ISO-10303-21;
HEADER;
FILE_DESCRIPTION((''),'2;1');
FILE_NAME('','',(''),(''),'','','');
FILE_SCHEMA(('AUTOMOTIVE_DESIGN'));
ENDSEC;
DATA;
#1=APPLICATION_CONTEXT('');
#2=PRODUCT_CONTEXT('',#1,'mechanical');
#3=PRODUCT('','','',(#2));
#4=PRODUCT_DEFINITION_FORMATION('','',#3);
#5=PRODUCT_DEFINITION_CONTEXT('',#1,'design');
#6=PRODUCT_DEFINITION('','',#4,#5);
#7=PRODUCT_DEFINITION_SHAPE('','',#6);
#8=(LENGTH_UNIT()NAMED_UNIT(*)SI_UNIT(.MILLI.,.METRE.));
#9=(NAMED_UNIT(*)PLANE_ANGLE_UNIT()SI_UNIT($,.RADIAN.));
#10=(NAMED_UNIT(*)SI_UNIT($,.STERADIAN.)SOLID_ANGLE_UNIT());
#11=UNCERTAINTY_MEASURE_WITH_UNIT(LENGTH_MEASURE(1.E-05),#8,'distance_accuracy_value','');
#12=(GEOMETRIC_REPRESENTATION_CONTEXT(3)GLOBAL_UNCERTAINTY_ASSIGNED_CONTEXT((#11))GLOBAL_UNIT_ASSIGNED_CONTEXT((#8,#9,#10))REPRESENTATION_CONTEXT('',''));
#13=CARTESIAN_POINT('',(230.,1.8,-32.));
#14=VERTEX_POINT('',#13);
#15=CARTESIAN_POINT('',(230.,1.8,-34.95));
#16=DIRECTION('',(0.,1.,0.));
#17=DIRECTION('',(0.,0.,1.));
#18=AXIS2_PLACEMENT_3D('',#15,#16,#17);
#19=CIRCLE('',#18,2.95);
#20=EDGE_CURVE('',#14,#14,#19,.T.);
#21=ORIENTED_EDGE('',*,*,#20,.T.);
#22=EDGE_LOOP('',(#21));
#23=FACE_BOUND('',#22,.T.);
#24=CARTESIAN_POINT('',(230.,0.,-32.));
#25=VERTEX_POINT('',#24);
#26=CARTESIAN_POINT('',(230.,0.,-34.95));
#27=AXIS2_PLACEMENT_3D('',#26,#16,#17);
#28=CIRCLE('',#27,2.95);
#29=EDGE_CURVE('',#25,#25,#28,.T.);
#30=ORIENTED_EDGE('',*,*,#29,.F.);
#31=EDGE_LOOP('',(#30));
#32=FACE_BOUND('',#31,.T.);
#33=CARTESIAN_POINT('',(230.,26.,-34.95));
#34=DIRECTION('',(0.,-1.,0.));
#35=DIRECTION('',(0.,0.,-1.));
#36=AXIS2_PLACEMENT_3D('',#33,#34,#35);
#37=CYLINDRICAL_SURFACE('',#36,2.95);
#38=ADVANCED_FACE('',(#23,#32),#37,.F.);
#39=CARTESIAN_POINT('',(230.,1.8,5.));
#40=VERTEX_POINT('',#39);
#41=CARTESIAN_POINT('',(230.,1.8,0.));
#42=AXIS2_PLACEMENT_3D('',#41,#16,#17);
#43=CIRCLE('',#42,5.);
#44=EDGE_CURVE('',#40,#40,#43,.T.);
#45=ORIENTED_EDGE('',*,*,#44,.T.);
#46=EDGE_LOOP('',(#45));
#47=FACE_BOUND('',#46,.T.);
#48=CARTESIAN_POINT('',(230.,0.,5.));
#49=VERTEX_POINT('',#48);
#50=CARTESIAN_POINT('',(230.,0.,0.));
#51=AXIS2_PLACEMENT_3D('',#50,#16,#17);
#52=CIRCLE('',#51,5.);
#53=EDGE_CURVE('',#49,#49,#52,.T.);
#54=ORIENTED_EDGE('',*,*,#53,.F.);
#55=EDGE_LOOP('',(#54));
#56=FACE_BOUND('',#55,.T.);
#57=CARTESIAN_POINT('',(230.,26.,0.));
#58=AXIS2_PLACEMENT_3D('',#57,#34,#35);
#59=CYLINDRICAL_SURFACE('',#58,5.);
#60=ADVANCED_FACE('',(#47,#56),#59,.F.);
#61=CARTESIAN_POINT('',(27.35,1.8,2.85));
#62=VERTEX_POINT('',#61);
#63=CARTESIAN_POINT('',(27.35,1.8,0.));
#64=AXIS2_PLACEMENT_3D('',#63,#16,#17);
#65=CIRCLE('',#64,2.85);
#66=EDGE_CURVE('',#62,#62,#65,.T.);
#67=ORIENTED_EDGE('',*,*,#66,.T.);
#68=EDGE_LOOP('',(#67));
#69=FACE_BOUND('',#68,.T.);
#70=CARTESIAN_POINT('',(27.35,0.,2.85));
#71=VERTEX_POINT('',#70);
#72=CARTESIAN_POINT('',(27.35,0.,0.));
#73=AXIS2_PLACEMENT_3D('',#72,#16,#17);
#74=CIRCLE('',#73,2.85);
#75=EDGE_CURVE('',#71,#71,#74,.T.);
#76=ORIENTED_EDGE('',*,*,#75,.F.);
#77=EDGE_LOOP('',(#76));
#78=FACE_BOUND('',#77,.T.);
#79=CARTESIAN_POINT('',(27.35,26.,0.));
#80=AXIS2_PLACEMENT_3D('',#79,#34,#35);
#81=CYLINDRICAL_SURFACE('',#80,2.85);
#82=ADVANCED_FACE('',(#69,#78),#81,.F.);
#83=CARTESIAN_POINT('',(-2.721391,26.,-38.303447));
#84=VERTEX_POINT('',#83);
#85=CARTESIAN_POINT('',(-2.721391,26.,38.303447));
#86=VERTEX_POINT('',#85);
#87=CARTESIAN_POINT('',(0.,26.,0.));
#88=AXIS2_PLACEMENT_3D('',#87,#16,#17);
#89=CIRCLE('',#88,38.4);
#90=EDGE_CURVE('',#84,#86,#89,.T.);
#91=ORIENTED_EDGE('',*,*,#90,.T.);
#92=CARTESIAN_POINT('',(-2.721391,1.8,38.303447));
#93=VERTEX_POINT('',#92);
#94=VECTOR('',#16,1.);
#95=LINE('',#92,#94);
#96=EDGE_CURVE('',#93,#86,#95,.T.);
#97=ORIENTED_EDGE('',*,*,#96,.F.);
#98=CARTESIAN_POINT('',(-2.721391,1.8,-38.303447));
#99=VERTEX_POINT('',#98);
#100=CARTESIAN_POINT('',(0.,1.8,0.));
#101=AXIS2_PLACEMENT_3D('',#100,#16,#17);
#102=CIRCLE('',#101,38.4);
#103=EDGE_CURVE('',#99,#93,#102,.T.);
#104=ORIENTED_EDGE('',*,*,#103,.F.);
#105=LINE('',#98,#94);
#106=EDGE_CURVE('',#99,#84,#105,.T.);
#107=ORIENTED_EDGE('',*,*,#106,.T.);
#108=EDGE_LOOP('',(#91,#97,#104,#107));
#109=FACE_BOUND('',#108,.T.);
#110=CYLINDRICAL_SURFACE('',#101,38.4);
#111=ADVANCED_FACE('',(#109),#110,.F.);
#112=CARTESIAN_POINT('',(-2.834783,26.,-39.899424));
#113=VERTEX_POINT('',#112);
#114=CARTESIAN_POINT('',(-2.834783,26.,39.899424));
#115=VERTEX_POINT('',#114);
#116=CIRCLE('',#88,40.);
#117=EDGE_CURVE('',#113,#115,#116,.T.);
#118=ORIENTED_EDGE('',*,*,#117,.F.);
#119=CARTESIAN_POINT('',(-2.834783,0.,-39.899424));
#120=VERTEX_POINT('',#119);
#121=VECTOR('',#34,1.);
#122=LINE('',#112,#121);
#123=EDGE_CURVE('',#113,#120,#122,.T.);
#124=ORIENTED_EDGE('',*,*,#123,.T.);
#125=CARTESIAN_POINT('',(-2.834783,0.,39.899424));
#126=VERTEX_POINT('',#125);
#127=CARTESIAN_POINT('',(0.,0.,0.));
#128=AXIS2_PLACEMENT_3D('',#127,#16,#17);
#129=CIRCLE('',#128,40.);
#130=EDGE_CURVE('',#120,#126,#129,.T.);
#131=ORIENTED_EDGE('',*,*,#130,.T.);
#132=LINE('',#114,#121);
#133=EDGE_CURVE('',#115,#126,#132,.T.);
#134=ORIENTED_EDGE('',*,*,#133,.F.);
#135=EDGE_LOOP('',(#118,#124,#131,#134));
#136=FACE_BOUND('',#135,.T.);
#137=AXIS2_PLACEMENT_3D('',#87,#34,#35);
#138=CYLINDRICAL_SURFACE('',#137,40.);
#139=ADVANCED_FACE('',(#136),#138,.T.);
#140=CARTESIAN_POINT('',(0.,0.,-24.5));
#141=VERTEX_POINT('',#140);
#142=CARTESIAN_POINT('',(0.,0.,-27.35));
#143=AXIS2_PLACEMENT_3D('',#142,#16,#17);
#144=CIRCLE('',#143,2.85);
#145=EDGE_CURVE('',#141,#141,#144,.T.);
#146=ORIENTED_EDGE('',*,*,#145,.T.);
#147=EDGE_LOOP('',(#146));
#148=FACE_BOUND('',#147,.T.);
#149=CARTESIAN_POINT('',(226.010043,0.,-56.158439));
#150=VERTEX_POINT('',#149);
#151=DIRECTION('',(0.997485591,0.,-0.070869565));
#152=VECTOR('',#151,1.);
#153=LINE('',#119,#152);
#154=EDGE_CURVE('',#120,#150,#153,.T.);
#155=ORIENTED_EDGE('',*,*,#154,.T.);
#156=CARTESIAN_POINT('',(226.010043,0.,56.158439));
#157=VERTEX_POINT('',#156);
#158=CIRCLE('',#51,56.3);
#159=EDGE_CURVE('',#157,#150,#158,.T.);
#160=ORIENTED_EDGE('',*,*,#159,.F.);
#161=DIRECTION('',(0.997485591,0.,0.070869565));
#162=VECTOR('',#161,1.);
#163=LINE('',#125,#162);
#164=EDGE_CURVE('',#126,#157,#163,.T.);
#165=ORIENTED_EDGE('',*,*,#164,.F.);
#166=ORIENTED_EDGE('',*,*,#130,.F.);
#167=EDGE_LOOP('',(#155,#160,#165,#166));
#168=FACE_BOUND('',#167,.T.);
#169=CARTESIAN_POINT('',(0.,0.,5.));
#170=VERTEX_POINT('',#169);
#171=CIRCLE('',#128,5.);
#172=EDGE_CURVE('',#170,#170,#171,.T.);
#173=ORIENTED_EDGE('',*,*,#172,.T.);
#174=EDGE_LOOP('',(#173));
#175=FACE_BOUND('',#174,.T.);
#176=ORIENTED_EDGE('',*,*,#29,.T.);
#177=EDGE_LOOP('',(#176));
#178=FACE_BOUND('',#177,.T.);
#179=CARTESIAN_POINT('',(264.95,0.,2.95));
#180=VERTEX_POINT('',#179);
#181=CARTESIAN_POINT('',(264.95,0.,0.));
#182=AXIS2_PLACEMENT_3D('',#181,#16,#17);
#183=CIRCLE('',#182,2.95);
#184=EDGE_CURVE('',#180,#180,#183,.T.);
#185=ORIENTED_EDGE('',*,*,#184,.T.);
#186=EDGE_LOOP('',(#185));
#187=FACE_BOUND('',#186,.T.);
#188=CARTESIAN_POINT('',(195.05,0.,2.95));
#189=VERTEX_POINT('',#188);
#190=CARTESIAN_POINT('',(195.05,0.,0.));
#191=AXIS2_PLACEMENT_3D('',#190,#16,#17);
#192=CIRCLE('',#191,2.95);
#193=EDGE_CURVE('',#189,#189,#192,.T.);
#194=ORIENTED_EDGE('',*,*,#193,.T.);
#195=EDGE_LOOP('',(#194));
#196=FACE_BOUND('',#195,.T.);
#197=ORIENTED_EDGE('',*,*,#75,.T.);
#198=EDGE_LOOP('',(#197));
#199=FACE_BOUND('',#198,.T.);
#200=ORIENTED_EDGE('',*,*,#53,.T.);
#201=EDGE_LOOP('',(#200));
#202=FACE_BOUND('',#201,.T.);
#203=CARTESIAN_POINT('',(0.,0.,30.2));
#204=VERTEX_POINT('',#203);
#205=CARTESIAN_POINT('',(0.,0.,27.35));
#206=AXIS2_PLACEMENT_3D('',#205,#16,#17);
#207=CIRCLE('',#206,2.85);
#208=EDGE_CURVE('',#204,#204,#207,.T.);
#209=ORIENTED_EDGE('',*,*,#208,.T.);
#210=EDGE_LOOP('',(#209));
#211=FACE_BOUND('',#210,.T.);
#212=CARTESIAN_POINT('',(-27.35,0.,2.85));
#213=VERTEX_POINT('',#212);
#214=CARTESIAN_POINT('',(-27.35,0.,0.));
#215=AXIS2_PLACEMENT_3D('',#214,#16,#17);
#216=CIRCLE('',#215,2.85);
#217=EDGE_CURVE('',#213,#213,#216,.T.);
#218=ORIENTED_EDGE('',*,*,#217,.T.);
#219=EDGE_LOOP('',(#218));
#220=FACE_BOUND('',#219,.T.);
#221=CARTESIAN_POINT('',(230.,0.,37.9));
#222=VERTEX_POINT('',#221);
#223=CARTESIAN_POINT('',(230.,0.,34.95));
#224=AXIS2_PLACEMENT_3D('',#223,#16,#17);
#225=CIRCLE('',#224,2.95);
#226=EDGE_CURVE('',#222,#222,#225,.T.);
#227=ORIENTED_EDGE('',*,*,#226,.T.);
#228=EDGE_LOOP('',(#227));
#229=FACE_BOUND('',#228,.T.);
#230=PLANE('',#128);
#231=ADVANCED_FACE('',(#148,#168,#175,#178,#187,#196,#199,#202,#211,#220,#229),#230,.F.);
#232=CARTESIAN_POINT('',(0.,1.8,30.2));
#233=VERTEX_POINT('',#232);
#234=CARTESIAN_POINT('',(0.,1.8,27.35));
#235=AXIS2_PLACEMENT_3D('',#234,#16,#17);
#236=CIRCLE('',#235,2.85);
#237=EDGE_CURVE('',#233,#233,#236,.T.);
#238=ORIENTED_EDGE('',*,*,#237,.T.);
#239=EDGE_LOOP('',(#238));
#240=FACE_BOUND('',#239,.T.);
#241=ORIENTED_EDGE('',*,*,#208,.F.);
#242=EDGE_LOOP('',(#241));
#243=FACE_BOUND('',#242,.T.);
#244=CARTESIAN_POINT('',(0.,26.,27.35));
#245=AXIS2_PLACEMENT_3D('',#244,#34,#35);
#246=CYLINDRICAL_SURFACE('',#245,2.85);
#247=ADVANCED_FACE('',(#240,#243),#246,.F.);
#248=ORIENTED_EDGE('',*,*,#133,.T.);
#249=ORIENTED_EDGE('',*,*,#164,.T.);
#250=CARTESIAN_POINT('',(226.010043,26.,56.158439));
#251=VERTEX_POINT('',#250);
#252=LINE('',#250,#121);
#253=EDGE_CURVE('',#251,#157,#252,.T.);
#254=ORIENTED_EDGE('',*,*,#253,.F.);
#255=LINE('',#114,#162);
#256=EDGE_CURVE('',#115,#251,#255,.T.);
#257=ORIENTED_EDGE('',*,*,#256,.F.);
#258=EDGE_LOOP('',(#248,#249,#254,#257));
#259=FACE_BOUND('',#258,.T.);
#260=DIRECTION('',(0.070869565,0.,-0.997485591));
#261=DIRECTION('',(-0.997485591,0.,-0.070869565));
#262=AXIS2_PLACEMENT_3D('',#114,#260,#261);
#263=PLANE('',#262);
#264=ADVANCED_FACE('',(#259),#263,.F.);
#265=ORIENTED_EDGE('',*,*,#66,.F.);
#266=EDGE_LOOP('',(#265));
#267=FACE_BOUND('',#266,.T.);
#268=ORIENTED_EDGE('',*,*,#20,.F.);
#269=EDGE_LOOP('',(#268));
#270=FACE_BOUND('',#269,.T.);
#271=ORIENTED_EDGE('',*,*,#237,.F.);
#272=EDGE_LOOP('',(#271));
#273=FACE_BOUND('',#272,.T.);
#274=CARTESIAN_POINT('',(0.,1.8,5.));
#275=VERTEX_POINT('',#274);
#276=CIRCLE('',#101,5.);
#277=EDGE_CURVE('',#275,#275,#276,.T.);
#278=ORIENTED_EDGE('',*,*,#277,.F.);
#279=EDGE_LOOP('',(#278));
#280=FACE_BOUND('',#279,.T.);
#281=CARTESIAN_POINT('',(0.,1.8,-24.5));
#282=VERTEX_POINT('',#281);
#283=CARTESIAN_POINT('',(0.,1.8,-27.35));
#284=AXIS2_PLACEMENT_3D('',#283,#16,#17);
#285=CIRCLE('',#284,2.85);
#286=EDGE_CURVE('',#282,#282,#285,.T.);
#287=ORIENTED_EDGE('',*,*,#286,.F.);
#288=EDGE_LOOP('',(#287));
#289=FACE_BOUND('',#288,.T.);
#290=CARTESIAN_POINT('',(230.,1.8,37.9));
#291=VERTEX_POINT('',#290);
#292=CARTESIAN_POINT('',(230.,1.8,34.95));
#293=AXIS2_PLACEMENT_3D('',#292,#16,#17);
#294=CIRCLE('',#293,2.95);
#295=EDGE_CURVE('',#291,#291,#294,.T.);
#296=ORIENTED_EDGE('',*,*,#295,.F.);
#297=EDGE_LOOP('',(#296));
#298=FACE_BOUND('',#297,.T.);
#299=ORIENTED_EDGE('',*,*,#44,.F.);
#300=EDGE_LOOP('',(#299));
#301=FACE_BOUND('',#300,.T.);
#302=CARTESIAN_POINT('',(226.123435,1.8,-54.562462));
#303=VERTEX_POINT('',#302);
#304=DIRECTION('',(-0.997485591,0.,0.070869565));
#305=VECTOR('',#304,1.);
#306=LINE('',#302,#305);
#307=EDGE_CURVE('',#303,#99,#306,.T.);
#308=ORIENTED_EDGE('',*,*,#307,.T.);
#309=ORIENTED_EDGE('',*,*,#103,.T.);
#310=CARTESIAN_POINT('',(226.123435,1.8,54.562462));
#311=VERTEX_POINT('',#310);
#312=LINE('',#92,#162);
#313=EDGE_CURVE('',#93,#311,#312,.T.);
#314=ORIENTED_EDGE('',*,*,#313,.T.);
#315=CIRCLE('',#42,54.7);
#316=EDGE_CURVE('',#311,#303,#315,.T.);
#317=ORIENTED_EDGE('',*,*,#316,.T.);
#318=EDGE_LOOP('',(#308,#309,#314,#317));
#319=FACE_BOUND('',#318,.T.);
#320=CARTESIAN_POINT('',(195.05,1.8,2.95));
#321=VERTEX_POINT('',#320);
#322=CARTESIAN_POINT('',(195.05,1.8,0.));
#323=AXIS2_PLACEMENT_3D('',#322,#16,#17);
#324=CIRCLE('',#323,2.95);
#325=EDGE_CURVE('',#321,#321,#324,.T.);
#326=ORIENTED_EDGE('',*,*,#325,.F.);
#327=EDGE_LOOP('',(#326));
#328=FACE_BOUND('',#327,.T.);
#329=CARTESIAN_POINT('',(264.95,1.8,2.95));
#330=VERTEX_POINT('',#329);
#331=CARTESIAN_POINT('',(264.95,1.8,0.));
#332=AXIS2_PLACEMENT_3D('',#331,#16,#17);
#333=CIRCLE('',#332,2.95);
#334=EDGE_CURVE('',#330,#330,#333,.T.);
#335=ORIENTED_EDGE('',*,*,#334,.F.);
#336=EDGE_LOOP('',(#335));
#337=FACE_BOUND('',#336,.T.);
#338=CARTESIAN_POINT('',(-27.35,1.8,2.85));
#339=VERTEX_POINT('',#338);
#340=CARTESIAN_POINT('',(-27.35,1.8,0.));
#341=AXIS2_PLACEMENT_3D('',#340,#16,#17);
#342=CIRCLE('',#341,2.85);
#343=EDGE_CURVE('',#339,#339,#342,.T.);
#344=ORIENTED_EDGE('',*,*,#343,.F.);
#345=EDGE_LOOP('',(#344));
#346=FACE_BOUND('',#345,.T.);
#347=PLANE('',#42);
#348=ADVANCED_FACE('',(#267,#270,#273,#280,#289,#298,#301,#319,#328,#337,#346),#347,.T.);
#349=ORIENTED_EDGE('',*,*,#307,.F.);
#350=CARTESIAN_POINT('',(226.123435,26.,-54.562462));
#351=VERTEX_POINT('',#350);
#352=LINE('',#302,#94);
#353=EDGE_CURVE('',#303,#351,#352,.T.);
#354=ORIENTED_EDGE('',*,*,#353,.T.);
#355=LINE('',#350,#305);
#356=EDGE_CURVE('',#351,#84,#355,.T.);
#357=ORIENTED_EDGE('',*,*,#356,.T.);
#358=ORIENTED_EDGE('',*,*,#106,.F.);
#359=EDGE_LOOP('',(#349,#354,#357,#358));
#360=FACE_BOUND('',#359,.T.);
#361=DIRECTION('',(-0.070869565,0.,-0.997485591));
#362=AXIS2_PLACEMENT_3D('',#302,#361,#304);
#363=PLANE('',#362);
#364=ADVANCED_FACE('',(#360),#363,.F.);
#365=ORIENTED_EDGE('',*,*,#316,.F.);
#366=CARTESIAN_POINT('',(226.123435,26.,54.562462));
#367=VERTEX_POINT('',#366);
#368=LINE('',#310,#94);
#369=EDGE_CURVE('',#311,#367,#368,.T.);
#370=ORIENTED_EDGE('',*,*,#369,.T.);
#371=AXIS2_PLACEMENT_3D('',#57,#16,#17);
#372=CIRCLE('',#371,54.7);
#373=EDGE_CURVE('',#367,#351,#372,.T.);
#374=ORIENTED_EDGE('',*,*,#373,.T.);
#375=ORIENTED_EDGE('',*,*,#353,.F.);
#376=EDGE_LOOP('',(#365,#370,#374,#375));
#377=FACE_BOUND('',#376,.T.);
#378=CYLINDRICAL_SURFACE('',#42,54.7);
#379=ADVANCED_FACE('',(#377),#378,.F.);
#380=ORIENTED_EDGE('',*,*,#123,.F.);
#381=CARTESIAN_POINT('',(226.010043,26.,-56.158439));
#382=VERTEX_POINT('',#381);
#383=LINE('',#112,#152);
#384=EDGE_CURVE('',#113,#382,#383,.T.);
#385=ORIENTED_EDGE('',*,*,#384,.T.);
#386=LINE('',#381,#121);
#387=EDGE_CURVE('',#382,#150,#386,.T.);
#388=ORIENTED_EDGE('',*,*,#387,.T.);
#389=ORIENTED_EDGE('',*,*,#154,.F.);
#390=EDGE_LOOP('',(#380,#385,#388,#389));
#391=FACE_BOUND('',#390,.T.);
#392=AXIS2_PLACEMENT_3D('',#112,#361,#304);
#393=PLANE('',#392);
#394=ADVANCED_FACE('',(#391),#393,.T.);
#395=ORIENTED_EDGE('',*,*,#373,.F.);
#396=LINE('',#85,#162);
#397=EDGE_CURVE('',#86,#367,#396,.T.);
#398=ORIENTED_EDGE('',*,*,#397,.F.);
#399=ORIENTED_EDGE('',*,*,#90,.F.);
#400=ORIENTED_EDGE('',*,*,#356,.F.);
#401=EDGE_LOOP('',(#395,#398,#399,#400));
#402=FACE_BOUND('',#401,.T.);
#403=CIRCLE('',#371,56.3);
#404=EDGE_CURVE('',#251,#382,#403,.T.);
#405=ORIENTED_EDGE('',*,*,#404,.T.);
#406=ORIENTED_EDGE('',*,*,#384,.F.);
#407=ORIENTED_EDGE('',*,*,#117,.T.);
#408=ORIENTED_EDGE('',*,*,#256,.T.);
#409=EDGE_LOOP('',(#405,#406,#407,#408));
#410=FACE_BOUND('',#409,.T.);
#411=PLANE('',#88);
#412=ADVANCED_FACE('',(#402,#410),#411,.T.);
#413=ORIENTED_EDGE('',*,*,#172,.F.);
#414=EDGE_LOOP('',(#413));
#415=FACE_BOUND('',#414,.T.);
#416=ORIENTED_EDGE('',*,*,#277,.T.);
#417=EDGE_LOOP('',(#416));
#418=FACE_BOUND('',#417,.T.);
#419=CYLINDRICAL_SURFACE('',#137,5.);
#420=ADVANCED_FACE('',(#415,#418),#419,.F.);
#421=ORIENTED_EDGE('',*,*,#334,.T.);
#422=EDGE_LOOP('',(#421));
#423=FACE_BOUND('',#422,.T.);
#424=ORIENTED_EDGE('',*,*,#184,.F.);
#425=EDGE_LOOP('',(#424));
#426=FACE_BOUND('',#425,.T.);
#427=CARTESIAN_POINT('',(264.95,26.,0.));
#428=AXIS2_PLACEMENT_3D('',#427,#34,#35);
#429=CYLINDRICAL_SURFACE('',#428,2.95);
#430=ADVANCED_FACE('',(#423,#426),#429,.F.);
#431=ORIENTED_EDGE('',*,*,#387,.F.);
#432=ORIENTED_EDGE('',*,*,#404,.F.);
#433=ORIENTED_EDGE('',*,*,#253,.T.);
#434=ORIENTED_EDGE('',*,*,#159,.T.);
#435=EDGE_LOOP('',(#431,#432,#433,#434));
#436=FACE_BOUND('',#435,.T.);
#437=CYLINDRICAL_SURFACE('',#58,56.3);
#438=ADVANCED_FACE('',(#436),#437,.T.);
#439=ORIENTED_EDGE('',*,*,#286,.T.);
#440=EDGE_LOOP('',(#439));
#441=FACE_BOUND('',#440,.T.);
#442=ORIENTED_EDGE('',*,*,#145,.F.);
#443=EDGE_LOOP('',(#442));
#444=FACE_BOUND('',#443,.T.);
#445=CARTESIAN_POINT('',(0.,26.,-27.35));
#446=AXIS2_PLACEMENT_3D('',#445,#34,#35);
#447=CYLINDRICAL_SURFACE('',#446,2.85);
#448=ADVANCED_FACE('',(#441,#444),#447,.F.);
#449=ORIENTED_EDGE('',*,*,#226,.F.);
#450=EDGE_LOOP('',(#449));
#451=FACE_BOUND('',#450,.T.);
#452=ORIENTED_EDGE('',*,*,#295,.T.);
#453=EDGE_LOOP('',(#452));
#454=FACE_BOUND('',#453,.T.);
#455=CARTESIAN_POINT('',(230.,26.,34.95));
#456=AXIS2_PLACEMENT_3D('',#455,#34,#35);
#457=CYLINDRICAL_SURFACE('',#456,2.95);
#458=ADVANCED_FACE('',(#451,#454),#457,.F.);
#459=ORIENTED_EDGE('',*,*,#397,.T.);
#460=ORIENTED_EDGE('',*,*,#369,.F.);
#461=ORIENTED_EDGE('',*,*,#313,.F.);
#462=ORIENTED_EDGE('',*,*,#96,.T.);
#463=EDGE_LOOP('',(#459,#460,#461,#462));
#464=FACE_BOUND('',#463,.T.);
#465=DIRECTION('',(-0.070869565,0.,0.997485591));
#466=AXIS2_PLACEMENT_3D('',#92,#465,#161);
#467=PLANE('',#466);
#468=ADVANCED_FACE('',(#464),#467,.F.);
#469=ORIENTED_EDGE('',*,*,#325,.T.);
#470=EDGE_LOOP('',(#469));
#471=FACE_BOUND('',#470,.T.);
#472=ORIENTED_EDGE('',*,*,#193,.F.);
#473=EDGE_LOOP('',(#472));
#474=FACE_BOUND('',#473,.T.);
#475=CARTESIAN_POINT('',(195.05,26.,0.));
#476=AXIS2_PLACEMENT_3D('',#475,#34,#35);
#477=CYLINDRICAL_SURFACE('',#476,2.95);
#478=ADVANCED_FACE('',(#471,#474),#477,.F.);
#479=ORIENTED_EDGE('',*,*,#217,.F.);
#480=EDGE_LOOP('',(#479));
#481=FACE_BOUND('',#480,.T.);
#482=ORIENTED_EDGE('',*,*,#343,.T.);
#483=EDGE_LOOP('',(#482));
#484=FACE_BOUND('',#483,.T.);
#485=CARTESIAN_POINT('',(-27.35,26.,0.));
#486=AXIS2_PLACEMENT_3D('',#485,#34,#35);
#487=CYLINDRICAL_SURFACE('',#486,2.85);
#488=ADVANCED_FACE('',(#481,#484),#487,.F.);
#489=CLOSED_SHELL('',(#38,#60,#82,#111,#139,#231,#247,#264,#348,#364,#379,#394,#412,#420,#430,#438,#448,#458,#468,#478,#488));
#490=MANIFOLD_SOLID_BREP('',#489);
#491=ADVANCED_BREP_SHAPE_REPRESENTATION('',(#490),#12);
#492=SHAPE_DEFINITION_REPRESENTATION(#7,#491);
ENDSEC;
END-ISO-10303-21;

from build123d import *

# Parameters (mm, degrees)
SKETCH1_R           = 40
SKETCH1_R_2         = 2.85
SKETCH1_R_3         = 5
SKETCH1_R_4         = 56.3
SKETCH1_R_5         = 2.95
BOSS_EXTRUDE1_DEPTH = 26
CUT_EXTRUDE1_DEPTH  = 24.2


with BuildPart() as part:
    # Sketch1 → Boss-Extrude1 (new body)
    with BuildSketch(Plane(origin=(0, 0, 0), x_dir=(1, 0, 0), z_dir=(0, 1, 0))):
        with BuildLine():
            Line((226.010043478, 56.158438787), (-2.834782609, 39.899423649))
            ThreePointArc((-2.834782609, 39.899423649), (27.263608489, 29.269363713), (40, 0))
            ThreePointArc((40, 0), (27.263608489, -29.269363713), (-2.834782609, -39.899423649))
            Line((-2.834782609, -39.899423649), (226.010043478, -56.158438787))
            ThreePointArc((226.010043478, -56.158438787), (173.7, 0), (226.010043478, 56.158438787))
        make_face()
        Circle(SKETCH1_R)
        with Locations((-27.35, 0)):
            Circle(SKETCH1_R_2, mode=Mode.SUBTRACT)
        with Locations((0, -27.35)):
            Circle(SKETCH1_R_2, mode=Mode.SUBTRACT)
        with Locations((27.35, 0)):
            Circle(SKETCH1_R_2, mode=Mode.SUBTRACT)
        with Locations((0, 27.35)):
            Circle(SKETCH1_R_2, mode=Mode.SUBTRACT)
        Circle(SKETCH1_R_3, mode=Mode.SUBTRACT)
        with Locations((230, 0)):
            Circle(SKETCH1_R_4)
        with Locations((195.05, 0)):
            Circle(SKETCH1_R_5, mode=Mode.SUBTRACT)
        with Locations((230, -34.95)):
            Circle(SKETCH1_R_5, mode=Mode.SUBTRACT)
        with Locations((264.95, 0)):
            Circle(SKETCH1_R_5, mode=Mode.SUBTRACT)
        with Locations((230, 34.95)):
            Circle(SKETCH1_R_5, mode=Mode.SUBTRACT)
        with Locations((230, 0)):
            Circle(SKETCH1_R_3, mode=Mode.SUBTRACT)
    extrude(amount=BOSS_EXTRUDE1_DEPTH)

    # Sketch2 → Cut-Extrude1 (cut)
    with BuildSketch(Plane(origin=(0, 26, 0), x_dir=(1, 0, 0), z_dir=(0, 1, 0))):
        with BuildLine():
            Line((-2.721391304, -38.303446704), (226.123434783, -54.562461841))
            ThreePointArc((226.123434783, -54.562461841), (284.7, 0), (226.123434783, 54.562461841))
            Line((226.123434783, 54.562461841), (-2.721391304, 38.303446704))
            ThreePointArc((-2.721391304, 38.303446704), (-38.4, 0), (-2.721391304, -38.303446704))
        make_face()
    extrude(amount=-CUT_EXTRUDE1_DEPTH, mode=Mode.SUBTRACT)


solid = part.part
